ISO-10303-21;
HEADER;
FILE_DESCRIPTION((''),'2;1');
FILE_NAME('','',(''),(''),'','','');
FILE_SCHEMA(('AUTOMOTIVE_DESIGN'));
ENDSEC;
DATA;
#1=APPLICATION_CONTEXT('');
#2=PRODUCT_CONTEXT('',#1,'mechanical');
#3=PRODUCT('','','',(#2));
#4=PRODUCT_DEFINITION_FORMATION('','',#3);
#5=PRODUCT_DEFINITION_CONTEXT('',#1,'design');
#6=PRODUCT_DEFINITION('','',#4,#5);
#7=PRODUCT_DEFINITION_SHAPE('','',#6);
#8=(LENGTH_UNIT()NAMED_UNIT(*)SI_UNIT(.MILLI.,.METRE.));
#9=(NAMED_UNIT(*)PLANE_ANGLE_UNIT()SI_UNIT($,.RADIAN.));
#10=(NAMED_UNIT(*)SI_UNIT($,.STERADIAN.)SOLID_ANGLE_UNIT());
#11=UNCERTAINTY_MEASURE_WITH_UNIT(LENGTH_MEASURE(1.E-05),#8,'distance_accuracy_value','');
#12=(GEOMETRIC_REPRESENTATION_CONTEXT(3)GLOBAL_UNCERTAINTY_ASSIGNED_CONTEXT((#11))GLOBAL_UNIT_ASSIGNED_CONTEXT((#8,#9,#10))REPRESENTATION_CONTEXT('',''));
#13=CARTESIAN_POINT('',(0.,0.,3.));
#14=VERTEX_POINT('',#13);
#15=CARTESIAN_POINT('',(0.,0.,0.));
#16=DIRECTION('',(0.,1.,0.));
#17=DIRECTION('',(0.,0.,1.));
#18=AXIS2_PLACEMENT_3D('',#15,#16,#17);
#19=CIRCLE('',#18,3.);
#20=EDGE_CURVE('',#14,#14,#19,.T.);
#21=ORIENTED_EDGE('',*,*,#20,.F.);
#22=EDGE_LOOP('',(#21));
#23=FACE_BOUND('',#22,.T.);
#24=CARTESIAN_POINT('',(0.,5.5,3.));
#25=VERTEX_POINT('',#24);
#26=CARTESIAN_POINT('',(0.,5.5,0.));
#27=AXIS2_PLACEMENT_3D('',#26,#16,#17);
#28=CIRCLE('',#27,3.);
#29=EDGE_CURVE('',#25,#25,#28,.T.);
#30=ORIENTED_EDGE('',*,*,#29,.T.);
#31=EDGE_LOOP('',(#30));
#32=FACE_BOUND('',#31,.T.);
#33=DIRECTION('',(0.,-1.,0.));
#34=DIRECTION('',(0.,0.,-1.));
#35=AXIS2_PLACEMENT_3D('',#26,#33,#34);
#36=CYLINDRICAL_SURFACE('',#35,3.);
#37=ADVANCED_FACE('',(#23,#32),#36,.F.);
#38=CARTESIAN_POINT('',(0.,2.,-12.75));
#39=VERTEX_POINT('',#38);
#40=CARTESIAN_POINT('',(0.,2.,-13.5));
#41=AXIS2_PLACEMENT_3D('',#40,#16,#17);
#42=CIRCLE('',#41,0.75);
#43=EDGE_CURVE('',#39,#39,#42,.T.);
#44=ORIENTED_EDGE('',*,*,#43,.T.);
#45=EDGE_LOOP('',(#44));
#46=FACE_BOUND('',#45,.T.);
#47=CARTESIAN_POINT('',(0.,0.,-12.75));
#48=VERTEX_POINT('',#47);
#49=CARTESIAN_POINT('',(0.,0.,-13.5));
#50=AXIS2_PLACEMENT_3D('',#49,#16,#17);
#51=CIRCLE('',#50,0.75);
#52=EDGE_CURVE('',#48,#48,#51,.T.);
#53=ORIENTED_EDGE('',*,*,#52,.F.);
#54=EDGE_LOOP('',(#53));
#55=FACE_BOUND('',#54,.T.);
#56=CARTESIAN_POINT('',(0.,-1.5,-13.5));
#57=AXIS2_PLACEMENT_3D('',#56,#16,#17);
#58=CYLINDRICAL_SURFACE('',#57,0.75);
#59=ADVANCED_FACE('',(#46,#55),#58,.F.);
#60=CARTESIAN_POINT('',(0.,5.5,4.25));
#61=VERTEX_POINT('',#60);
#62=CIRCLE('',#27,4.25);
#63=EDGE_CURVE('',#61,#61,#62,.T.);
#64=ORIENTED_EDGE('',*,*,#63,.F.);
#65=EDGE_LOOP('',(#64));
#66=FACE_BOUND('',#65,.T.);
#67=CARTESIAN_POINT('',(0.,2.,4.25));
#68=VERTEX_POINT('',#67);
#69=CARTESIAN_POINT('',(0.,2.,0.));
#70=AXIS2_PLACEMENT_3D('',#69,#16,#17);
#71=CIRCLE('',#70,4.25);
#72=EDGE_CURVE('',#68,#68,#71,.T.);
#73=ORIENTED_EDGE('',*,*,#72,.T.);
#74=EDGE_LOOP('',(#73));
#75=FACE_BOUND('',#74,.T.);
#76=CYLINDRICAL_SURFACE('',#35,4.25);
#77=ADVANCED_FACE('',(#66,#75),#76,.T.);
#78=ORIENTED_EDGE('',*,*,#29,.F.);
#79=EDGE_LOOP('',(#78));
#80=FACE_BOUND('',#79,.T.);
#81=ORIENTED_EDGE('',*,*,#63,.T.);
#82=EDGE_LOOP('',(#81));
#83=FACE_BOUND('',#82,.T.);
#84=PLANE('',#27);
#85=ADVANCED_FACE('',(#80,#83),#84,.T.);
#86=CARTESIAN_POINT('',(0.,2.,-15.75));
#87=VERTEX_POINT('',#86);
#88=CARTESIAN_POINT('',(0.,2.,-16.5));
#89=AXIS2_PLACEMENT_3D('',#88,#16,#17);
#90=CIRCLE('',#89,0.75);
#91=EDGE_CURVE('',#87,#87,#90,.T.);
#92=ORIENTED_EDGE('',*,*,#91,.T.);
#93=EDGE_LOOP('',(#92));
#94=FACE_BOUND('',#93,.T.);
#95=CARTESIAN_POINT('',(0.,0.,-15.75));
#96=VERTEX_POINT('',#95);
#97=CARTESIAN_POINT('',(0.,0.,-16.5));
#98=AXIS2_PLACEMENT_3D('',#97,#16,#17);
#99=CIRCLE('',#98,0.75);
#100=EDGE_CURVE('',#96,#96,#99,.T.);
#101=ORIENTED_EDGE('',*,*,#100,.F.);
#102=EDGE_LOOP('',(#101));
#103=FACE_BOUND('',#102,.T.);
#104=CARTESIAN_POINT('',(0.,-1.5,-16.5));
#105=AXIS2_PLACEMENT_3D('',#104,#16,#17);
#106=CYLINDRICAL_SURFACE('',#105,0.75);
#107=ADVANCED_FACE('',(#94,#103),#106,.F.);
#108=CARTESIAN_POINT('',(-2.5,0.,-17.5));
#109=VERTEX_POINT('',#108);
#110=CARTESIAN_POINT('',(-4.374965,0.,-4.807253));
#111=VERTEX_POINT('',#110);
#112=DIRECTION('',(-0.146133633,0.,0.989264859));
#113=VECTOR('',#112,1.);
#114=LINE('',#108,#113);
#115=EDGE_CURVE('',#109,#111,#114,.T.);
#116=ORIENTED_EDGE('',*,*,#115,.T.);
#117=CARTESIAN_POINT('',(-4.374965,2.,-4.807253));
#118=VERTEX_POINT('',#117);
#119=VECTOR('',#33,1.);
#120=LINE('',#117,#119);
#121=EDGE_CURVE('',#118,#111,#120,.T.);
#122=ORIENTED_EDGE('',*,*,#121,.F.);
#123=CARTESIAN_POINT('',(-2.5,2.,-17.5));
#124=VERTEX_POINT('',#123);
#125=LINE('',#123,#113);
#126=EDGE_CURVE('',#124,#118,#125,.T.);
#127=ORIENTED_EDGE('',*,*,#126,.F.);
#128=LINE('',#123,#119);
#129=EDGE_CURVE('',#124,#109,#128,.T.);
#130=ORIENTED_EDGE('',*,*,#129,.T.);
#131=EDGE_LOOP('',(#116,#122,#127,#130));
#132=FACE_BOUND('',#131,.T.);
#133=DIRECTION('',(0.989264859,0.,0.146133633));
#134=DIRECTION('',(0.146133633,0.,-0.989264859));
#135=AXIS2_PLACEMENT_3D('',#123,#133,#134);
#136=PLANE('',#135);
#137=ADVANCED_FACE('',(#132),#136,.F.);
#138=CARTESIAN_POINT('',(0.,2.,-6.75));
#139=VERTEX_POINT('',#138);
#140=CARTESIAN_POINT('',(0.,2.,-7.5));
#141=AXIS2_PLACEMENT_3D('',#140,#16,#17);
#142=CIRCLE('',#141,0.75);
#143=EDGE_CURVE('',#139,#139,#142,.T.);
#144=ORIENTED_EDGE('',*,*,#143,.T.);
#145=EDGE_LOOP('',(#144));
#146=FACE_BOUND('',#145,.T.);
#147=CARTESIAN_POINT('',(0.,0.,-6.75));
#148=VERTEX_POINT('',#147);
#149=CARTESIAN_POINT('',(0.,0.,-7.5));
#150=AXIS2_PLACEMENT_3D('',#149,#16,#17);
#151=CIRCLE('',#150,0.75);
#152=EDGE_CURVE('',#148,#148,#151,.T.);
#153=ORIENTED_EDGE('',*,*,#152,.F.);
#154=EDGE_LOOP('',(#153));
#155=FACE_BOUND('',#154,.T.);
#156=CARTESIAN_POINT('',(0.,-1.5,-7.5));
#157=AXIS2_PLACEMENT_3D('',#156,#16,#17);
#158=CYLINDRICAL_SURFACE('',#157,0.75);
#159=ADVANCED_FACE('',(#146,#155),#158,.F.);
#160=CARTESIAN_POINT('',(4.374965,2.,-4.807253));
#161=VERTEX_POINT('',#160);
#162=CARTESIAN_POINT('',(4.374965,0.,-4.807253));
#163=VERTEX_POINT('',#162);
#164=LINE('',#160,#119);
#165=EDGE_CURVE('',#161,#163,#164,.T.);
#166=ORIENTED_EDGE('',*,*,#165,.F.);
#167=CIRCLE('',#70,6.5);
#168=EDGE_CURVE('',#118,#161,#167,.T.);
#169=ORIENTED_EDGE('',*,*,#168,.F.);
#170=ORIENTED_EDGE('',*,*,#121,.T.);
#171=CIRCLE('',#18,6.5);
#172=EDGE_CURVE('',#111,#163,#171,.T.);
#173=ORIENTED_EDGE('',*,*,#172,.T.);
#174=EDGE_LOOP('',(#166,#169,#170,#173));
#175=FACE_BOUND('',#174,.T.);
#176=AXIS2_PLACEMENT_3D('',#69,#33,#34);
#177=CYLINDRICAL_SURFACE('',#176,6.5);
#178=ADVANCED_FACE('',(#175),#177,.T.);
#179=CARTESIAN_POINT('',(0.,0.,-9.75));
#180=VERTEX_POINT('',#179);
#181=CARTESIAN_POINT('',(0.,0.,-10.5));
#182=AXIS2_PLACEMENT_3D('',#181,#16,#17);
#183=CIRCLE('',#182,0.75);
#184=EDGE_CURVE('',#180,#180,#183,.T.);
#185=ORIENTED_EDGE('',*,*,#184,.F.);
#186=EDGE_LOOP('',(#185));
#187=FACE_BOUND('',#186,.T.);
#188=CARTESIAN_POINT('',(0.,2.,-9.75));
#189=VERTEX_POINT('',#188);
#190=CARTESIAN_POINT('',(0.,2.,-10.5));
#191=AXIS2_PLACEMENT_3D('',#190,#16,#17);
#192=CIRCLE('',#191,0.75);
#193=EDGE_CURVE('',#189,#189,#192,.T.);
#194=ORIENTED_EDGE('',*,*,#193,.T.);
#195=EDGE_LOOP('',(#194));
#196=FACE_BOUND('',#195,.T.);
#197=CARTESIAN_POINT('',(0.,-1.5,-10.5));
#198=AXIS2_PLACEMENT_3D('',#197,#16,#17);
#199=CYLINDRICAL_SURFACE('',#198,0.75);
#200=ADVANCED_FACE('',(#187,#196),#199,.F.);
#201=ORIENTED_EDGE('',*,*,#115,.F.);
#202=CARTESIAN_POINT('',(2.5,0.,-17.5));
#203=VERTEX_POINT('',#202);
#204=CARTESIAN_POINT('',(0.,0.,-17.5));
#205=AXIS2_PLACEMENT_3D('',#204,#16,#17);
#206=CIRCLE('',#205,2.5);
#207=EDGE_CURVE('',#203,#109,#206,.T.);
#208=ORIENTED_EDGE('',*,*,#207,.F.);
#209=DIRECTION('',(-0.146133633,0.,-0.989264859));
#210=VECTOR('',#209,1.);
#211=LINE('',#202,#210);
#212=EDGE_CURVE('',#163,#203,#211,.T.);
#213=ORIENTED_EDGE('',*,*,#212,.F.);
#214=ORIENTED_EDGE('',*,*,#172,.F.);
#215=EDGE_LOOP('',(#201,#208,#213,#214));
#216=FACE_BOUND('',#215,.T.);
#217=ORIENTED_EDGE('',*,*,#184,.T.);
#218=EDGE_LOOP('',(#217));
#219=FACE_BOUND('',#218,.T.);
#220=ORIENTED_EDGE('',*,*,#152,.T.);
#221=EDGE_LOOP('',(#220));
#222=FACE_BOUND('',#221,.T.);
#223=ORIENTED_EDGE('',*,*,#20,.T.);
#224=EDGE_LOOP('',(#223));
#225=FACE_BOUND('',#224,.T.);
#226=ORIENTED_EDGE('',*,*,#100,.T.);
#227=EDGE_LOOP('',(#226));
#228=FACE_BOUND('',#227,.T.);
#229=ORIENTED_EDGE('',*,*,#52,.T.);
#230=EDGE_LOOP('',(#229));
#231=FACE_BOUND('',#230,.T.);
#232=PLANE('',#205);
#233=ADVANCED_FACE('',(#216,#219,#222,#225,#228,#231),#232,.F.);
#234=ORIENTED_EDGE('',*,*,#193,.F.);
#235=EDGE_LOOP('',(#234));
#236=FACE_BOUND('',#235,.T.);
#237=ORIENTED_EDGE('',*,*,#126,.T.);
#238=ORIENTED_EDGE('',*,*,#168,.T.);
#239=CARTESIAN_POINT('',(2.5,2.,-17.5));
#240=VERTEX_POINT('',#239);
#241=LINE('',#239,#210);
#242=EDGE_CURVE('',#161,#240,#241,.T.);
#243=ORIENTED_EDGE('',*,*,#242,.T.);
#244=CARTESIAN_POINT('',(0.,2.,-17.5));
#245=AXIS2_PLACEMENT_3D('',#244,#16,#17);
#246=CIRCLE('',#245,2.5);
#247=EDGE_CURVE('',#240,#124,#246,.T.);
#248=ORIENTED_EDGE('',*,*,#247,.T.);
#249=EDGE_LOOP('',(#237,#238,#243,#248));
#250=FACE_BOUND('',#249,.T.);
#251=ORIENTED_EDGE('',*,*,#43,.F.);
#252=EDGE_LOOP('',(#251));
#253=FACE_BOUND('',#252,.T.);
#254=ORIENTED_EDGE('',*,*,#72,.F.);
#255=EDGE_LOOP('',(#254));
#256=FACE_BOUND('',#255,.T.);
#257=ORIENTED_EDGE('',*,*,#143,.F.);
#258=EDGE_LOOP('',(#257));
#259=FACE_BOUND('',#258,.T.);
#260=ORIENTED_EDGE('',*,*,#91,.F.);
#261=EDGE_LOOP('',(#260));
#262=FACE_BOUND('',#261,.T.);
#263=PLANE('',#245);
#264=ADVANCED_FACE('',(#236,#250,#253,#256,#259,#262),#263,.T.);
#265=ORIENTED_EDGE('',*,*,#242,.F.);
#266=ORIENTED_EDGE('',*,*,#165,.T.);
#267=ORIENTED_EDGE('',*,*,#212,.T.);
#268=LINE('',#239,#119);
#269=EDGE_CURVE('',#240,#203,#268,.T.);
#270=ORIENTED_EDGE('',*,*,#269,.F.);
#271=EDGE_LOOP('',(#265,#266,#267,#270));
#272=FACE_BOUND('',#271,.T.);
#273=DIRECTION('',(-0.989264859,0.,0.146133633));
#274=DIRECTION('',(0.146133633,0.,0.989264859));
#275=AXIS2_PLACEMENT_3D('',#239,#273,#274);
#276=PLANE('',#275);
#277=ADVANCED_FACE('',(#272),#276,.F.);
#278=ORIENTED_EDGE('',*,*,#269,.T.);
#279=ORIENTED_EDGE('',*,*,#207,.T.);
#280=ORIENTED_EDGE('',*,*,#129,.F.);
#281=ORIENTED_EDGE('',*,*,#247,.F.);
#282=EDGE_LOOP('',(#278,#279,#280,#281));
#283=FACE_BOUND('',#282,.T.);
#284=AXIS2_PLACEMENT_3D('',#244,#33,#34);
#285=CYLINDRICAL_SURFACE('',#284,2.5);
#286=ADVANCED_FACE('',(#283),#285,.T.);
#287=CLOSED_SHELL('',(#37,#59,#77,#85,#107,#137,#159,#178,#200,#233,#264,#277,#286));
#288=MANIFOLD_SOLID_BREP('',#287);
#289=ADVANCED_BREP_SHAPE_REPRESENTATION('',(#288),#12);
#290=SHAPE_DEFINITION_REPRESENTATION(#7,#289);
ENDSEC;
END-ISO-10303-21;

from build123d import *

# Parameters (mm, degrees)
AUFSATZ_LINEAR_AUSTRAGEN1_DEPTH = 2
SKIZZE2_R                       = 4.25
SKIZZE2_R_2                     = 3
AUFSATZ_LINEAR_AUSTRAGEN2_DEPTH = 3.5
SCHNITT_LINEAR_START            = -3.5
SKIZZE3_R                       = 3
SCHNITT_LINEAR_AUSTRAGEN1_DEPTH = 3.5
SKIZZE4_R                       = 0.75
SCHNITT_LINEAR_AUSTRAGEN2_DEPTH = 3.5


with BuildPart() as part:
    # Skizze1 → Aufsatz-Linear austragen1 (new body)
    with BuildSketch(Plane(origin=(0, 0, 0), x_dir=(1, 0, 0), z_dir=(0, 1, 0))):
        with BuildLine():
            Line((-2.5, 17.5), (-4.374965285, 4.807252725))
            ThreePointArc((-4.374965285, 4.807252725), (0, -6.5), (4.374965285, 4.807252725))
            Line((4.374965285, 4.807252725), (2.5, 17.5))
            ThreePointArc((2.5, 17.5), (0, 20), (-2.5, 17.5))
        make_face()
    extrude(amount=AUFSATZ_LINEAR_AUSTRAGEN1_DEPTH)

    # Skizze2 → Aufsatz-Linear austragen2 (add)
    with BuildSketch(Plane(origin=(0, 2, 0), x_dir=(1, 0, 0), z_dir=(0, 1, 0))):
        with Locations(Location((0, 0, 0), (0, 0, 270))):
            Circle(SKIZZE2_R)
        with Locations(Location((0, 0, 0), (0, 0, 270))):
            Circle(SKIZZE2_R_2, mode=Mode.SUBTRACT)
    extrude(amount=AUFSATZ_LINEAR_AUSTRAGEN2_DEPTH)

    # Skizze3 → Schnitt-Linear austragen1 (cut)
    with BuildSketch(Plane(origin=(0, 2, 0), x_dir=(1, 0, 0), z_dir=(0, 1, 0)).offset(SCHNITT_LINEAR_START)):
        with Locations(Location((0, 0, 0), (0, 0, 270))):
            Circle(SKIZZE3_R)
    extrude(amount=SCHNITT_LINEAR_AUSTRAGEN1_DEPTH, mode=Mode.SUBTRACT)

    # Skizze4 → Schnitt-Linear austragen2 (cut)
    with BuildSketch(Plane(origin=(0, 2, 0), x_dir=(1, 0, 0), z_dir=(0, 1, 0))):
        with Locations(Location((0, 7.5, 0), (0, 0, 270))):
            Circle(SKIZZE4_R)
        with Locations(Location((0, 10.5, 0), (0, 0, 270))):
            Circle(SKIZZE4_R)
        with Locations(Location((0, 13.5, 0), (0, 0, 270))):
            Circle(SKIZZE4_R)
        with Locations(Location((0, 16.5, 0), (0, 0, 270))):
            Circle(SKIZZE4_R)
    extrude(amount=-SCHNITT_LINEAR_AUSTRAGEN2_DEPTH, mode=Mode.SUBTRACT)


solid = part.part
